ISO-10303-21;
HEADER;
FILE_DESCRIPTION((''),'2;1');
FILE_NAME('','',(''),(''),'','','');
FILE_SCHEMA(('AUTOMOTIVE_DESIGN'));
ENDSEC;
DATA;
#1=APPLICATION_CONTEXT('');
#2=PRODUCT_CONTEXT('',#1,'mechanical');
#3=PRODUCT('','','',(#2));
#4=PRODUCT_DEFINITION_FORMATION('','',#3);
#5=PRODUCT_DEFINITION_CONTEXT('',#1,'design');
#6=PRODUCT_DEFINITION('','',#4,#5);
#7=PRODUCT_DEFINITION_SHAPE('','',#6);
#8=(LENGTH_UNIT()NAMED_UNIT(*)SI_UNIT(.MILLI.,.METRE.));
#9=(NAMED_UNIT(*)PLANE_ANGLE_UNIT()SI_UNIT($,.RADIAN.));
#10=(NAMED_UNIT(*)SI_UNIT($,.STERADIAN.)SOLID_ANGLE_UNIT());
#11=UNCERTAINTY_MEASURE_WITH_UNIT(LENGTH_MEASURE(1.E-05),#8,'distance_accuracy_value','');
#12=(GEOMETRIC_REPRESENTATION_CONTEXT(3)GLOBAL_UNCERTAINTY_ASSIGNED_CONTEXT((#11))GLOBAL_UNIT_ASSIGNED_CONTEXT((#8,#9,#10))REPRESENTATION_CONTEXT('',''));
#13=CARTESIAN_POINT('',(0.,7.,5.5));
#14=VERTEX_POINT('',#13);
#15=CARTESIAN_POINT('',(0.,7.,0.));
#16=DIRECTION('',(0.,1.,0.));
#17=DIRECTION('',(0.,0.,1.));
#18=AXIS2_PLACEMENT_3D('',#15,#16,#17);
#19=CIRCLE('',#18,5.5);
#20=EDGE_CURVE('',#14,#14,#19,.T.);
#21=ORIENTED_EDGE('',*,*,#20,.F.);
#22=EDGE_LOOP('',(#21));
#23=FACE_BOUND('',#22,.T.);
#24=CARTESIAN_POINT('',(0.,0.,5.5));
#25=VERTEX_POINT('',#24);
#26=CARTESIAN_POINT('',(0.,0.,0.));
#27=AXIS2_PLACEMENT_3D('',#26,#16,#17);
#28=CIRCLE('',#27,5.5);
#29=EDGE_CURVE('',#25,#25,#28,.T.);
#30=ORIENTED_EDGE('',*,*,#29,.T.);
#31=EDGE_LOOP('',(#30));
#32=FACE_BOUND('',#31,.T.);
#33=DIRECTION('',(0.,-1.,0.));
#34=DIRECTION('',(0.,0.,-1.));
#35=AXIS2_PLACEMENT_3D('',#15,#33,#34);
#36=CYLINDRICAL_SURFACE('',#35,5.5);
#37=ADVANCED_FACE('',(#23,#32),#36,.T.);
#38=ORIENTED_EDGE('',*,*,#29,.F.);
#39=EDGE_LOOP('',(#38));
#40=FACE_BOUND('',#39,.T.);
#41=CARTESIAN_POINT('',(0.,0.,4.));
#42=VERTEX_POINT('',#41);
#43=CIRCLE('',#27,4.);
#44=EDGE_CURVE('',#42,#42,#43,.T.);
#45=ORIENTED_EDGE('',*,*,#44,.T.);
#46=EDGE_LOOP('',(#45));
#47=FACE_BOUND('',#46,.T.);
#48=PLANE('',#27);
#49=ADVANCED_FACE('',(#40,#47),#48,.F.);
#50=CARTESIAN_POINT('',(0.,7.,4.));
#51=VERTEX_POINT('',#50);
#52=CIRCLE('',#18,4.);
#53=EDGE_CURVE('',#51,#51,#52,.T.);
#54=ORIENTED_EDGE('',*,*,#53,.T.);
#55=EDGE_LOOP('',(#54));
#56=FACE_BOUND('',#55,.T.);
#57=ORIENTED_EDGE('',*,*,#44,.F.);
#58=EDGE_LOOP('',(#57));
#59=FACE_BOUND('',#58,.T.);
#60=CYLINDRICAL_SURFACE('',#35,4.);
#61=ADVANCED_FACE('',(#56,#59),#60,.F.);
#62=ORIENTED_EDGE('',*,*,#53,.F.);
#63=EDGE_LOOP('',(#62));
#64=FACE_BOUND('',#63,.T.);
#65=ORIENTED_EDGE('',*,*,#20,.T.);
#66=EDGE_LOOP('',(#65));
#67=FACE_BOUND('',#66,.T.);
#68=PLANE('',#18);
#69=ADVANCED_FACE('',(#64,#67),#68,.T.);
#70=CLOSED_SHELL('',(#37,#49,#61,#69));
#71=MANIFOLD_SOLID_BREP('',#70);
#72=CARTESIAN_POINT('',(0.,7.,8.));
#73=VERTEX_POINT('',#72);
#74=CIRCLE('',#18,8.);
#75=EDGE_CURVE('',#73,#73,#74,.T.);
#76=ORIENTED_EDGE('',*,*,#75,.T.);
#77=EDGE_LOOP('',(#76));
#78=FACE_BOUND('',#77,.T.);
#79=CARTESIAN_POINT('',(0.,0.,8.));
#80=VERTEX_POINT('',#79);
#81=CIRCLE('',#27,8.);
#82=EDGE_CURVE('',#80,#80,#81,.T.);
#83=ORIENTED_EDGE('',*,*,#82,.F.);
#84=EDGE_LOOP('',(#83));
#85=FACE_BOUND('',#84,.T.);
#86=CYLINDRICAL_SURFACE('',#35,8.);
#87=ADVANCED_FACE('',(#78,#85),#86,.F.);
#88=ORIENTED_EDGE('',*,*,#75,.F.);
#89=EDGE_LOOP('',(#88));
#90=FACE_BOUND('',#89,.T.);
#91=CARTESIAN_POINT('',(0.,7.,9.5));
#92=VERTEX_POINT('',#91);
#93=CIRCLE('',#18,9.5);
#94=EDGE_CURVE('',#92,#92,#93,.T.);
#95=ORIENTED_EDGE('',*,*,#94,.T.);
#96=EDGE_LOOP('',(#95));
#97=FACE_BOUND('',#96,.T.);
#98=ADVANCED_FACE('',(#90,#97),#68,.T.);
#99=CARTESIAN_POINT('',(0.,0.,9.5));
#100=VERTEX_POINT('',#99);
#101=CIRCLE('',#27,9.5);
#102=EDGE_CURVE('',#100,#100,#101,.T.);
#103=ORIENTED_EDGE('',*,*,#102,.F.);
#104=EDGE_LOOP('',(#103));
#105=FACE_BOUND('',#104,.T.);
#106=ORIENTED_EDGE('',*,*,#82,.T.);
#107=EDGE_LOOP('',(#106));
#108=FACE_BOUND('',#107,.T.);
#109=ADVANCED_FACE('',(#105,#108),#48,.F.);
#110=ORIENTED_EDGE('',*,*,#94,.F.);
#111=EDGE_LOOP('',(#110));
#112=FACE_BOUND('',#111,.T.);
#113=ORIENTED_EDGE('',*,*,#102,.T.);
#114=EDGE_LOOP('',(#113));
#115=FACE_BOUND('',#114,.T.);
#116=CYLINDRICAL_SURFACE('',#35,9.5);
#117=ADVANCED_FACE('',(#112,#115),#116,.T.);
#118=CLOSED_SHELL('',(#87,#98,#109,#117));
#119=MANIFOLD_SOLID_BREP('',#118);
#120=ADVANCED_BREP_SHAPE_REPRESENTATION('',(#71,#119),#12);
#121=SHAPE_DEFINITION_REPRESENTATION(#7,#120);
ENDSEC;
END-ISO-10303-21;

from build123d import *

# Parameters (mm, degrees)
SKETCH1_R             = 5.5
SKETCH1_R_2           = 4
BOSS_EXTRUDE1_DEPTH   = 7
SKETCH1_R_3           = 9.5
SKETCH1_R_4           = 8
BOSS_EXTRUDE1_2_DEPTH = 7


with BuildPart() as part:
    # Sketch1 → Boss-Extrude1 (new body)
    with BuildSketch(Plane(origin=(0, 0, 0), x_dir=(1, 0, 0), z_dir=(0, 1, 0))):
        with Locations(Location((0, 0, 0), (0, 0, 270))):
            Circle(SKETCH1_R)
        with Locations(Location((0, 0, 0), (0, 0, 270))):
            Circle(SKETCH1_R_2, mode=Mode.SUBTRACT)
    extrude(amount=BOSS_EXTRUDE1_DEPTH)


with BuildPart() as body_2:
    # Sketch1 → Boss-Extrude1 2 (new body)
    with BuildSketch(Plane(origin=(0, 0, 0), x_dir=(1, 0, 0), z_dir=(0, 1, 0))):
        with Locations(Location((0, 0, 0), (0, 0, 270))):
            Circle(SKETCH1_R_3)
        with Locations(Location((0, 0, 0), (0, 0, 270))):
            Circle(SKETCH1_R_4, mode=Mode.SUBTRACT)
    extrude(amount=BOSS_EXTRUDE1_2_DEPTH)


solid = Compound([part.part, body_2.part])
